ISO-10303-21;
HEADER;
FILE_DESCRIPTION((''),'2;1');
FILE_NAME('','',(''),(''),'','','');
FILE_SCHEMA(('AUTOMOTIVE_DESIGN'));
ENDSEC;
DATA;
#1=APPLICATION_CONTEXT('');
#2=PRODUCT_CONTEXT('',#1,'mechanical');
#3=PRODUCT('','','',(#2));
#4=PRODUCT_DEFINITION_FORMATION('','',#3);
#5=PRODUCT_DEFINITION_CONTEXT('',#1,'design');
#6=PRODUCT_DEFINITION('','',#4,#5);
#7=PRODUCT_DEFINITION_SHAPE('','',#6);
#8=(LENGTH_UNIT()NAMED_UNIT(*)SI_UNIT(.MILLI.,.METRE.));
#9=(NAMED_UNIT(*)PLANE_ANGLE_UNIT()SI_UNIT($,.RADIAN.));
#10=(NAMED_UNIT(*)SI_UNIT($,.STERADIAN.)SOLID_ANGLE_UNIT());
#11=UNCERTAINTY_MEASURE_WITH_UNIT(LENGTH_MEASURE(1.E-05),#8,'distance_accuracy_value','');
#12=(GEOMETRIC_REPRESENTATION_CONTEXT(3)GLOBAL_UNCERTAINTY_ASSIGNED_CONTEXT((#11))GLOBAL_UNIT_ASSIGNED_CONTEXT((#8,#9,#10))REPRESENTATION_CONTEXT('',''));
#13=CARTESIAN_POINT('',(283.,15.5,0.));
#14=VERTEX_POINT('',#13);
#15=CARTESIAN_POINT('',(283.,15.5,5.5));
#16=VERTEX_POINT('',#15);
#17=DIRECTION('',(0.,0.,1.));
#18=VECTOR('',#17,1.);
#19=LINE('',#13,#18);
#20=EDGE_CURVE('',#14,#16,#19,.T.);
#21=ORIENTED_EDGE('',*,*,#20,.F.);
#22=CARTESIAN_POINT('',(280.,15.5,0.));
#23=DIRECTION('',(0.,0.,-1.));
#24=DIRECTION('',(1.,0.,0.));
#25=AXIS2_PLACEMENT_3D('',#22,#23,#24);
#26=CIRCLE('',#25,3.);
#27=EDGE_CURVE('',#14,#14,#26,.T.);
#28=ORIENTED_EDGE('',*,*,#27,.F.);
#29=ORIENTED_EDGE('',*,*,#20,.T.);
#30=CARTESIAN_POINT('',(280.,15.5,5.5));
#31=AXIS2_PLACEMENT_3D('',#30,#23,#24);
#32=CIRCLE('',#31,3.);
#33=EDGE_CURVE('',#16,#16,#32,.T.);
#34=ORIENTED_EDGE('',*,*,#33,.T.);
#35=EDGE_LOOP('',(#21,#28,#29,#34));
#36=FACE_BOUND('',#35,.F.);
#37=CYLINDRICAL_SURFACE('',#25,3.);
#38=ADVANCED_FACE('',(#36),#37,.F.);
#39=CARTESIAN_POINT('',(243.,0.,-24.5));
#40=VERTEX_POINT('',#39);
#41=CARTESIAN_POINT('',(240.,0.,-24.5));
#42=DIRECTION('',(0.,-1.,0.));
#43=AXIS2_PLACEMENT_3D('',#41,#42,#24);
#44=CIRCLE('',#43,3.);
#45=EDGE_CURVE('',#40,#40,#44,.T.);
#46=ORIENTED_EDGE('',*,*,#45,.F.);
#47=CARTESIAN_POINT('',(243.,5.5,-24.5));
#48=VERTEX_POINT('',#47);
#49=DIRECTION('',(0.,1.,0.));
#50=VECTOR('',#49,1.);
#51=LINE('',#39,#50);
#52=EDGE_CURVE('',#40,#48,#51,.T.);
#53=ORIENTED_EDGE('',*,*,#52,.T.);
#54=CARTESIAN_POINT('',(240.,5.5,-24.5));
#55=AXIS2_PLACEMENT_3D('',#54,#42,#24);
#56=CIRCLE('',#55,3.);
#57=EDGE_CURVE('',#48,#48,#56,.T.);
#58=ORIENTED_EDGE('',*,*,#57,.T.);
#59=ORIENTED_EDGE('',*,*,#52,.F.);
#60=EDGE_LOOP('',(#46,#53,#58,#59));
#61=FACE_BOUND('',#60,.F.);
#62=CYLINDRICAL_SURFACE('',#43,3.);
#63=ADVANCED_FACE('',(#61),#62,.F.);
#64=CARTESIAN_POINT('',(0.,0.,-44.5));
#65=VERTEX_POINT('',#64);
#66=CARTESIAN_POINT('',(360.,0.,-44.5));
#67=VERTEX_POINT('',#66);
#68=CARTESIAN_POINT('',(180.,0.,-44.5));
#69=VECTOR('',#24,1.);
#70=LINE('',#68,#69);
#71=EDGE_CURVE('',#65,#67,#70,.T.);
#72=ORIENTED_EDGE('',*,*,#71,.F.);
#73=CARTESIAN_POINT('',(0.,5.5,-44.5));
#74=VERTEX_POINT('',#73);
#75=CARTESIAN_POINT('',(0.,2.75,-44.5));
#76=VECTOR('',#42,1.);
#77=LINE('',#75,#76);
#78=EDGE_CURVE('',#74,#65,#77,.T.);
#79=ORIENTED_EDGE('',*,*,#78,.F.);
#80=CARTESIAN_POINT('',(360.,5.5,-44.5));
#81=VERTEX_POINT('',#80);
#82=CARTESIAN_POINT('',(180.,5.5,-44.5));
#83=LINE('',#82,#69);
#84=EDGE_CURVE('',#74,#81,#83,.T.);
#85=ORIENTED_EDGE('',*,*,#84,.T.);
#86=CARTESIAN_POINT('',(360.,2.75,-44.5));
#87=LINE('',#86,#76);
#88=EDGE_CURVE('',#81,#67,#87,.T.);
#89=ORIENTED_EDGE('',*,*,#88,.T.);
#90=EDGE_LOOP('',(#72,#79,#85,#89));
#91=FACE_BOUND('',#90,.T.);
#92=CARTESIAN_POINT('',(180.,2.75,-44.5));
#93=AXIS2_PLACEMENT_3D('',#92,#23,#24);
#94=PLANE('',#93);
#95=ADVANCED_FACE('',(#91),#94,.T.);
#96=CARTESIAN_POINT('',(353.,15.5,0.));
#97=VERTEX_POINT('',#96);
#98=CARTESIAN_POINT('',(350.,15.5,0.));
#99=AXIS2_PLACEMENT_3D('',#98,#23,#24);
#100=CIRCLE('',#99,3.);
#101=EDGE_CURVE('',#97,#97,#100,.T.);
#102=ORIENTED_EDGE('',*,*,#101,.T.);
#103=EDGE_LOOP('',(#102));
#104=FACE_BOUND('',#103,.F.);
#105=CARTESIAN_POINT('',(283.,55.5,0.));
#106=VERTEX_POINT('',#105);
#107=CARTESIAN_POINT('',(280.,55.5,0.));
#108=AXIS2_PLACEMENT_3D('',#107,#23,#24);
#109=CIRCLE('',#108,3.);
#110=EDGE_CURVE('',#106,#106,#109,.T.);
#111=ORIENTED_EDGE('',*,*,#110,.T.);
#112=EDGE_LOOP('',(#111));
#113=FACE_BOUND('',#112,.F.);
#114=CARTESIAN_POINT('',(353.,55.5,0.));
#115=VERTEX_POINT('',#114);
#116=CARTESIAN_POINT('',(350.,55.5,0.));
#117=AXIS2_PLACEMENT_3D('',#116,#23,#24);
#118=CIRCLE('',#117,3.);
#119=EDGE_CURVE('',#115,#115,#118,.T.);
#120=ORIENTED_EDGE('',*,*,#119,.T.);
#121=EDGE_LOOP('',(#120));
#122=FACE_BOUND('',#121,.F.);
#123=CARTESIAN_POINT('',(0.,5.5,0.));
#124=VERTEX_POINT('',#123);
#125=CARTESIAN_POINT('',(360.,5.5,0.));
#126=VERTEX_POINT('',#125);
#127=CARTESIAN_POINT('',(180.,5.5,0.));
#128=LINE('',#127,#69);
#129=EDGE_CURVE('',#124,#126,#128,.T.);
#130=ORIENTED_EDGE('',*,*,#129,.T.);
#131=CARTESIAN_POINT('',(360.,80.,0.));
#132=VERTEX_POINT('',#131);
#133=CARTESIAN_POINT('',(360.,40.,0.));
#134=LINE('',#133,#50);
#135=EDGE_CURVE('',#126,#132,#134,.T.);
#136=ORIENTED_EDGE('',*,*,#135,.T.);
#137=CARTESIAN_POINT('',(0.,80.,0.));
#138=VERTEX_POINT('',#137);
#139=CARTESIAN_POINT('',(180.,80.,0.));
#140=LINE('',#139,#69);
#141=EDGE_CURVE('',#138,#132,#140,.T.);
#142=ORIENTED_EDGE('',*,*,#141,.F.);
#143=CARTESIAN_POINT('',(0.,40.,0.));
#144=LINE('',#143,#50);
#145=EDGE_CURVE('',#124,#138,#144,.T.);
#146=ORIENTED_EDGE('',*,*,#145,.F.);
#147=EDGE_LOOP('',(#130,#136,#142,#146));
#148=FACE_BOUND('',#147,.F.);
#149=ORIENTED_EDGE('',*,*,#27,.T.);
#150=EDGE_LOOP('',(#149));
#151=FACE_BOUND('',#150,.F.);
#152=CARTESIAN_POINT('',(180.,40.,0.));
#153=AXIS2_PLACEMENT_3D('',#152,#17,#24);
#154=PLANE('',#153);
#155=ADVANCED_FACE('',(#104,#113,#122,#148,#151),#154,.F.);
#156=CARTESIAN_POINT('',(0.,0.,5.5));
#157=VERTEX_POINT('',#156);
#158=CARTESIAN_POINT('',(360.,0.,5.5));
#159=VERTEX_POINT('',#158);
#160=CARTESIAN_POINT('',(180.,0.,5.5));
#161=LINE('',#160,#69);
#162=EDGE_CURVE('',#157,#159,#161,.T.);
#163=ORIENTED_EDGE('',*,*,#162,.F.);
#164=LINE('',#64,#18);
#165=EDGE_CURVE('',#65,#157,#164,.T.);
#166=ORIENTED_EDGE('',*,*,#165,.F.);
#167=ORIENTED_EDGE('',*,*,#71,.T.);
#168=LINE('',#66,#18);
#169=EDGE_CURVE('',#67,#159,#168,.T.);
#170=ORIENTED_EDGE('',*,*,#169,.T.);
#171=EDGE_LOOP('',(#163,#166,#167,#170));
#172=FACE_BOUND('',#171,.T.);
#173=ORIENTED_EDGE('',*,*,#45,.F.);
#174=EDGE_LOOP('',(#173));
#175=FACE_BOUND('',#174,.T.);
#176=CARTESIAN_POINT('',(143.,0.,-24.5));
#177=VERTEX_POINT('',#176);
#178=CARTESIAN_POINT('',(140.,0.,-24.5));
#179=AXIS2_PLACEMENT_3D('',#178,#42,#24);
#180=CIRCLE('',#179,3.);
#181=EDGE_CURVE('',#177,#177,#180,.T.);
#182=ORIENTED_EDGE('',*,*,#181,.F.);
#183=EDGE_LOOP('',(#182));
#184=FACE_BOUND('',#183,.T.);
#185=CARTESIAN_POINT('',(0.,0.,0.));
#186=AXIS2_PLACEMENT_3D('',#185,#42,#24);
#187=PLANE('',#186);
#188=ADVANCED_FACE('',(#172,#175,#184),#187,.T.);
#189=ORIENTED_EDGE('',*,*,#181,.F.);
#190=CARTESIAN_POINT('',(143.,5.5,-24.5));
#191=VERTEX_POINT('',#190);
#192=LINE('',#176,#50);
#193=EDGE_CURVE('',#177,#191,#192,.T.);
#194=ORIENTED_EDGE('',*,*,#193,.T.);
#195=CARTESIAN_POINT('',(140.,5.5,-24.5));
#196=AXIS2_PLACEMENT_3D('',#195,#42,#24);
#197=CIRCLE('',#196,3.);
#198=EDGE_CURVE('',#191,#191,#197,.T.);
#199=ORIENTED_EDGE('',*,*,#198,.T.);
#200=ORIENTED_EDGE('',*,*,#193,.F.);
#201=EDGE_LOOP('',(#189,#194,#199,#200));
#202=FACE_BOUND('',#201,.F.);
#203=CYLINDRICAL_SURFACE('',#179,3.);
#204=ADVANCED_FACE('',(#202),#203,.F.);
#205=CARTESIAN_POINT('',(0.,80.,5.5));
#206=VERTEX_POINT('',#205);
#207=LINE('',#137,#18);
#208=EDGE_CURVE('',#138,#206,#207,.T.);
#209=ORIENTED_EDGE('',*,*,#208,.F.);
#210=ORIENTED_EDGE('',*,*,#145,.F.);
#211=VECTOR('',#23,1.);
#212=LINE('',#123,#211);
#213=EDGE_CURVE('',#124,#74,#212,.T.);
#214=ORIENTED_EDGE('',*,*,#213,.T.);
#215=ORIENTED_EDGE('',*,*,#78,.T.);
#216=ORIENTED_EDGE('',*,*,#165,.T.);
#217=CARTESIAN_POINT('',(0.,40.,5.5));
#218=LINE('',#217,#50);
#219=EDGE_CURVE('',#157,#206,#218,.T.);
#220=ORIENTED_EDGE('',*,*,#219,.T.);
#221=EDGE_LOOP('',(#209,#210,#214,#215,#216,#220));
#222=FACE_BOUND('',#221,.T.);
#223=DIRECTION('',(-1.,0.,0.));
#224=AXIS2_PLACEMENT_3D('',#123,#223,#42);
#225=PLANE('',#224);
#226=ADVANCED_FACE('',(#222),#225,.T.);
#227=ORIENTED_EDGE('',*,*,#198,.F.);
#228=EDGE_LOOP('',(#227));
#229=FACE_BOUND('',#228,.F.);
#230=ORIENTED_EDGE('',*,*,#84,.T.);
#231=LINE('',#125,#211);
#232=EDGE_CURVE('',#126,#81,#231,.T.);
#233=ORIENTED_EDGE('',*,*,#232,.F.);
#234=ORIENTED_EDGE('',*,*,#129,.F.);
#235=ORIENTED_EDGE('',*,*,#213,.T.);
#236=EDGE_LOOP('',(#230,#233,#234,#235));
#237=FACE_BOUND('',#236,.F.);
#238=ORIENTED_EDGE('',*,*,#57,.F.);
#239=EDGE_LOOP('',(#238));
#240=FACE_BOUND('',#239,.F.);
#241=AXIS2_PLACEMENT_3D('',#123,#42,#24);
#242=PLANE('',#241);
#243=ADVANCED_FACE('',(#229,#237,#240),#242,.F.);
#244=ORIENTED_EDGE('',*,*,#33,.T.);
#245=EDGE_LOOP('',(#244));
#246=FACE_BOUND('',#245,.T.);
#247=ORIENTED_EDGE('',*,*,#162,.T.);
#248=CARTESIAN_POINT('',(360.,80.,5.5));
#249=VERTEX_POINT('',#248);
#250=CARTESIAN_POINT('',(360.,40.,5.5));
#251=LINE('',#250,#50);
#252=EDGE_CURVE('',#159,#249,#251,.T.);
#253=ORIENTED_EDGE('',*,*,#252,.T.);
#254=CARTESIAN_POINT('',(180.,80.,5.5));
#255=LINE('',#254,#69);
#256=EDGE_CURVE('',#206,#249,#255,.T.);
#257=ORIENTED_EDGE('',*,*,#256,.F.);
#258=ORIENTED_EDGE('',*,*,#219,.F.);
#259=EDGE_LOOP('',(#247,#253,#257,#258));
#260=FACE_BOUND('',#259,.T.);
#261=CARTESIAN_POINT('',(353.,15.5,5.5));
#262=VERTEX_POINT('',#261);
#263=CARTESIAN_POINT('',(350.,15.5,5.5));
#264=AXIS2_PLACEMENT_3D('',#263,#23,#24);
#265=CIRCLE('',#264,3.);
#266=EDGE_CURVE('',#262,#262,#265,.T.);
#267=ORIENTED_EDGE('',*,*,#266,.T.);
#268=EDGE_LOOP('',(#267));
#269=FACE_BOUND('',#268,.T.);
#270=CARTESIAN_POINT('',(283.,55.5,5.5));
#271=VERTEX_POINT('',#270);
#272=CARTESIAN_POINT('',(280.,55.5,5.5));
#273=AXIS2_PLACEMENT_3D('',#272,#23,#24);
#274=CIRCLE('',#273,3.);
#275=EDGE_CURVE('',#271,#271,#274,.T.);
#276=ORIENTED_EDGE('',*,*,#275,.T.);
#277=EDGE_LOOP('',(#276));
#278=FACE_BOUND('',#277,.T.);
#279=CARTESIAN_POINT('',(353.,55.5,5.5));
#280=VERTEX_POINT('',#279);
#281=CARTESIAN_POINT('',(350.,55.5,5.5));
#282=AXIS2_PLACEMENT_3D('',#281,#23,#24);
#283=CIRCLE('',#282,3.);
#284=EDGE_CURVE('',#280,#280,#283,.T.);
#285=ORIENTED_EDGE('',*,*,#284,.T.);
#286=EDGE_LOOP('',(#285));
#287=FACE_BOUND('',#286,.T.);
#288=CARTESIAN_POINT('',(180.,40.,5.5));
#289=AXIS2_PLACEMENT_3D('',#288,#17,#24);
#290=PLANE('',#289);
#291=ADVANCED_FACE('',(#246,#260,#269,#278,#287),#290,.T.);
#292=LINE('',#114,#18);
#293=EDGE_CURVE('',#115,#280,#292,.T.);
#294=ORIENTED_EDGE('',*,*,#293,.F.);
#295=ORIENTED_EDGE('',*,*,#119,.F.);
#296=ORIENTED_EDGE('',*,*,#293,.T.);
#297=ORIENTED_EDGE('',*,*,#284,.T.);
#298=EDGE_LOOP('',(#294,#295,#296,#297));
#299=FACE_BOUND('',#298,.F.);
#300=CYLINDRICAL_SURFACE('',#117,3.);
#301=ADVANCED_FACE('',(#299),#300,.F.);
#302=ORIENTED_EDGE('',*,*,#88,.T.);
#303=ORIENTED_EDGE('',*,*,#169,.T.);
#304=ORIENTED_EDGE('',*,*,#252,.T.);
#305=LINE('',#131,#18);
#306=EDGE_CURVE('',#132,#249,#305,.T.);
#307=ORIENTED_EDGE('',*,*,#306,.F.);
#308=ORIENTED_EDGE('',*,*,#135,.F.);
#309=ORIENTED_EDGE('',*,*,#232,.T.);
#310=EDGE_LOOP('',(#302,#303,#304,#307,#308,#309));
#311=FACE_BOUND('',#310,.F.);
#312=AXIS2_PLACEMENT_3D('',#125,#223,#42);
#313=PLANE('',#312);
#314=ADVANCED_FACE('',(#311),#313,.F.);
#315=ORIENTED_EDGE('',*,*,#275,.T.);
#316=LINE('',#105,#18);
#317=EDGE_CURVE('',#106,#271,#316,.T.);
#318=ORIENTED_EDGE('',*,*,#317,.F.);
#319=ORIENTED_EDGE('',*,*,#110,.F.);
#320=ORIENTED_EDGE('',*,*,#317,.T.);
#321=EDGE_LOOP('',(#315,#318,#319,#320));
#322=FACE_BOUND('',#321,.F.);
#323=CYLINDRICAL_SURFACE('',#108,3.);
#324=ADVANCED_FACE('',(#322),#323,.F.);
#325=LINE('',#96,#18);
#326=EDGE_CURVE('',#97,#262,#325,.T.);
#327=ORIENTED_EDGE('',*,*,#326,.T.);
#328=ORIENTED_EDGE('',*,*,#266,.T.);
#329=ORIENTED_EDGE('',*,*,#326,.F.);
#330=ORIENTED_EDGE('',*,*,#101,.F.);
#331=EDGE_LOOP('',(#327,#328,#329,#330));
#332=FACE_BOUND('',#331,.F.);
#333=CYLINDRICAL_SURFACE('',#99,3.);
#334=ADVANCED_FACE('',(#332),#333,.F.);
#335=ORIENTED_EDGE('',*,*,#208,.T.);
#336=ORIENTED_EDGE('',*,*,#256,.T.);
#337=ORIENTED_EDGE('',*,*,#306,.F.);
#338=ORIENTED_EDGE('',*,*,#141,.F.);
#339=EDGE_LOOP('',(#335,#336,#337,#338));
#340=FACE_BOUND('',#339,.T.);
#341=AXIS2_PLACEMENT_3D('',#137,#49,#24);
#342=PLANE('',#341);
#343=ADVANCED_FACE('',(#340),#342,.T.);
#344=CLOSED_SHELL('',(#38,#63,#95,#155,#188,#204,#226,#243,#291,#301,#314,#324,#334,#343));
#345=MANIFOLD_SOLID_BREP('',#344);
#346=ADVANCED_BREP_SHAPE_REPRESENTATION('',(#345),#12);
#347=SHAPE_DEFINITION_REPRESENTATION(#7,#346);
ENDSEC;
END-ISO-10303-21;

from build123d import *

# Parameters (mm, degrees)
F0_W     = 360
F0_H     = 80
F1_DEPTH = 5.5
F2_W     = 360
F2_H     = 5.5
F3_DEPTH = 44.5
F4_R     = 3
F5_DEPTH = 25
F6_R     = 3
F7_DEPTH = 25


with BuildPart() as f1:
    # F0 (on Top) → F1 (new body)
    with BuildSketch(Plane.XY):
        with Locations((180, 40)):
            Rectangle(F0_W, F0_H)
    extrude(amount=F1_DEPTH)

    # F2 (on face) → F3 (join)
    with BuildSketch(Plane(origin=(0, 0, 0), x_dir=(1, 0, 0), z_dir=(0, 0, -1))):
        with Locations((180, -2.75)):
            Rectangle(F2_W, F2_H)
    extrude(amount=F3_DEPTH)

    # F4 (on face) → F5 (cut)
    with BuildSketch(Plane.XZ):
        with Locations((140, -24.5)):
            Circle(F4_R)
        with Locations((240, -24.5)):
            Circle(F4_R)
    extrude(amount=-F5_DEPTH, mode=Mode.SUBTRACT)

    # F6 (on face) → F7 (cut)
    with BuildSketch(Plane(origin=(0, 0, 0), x_dir=(1, 0, 0), z_dir=(0, 0, -1))):
        with Locations((280, -15.5)):
            Circle(F6_R)
        with Locations((280, -55.5)):
            Circle(F6_R)
        with Locations((350, -55.5)):
            Circle(F6_R)
        with Locations((350, -15.5)):
            Circle(F6_R)
    extrude(amount=-F7_DEPTH, mode=Mode.SUBTRACT)


solid = f1.part
